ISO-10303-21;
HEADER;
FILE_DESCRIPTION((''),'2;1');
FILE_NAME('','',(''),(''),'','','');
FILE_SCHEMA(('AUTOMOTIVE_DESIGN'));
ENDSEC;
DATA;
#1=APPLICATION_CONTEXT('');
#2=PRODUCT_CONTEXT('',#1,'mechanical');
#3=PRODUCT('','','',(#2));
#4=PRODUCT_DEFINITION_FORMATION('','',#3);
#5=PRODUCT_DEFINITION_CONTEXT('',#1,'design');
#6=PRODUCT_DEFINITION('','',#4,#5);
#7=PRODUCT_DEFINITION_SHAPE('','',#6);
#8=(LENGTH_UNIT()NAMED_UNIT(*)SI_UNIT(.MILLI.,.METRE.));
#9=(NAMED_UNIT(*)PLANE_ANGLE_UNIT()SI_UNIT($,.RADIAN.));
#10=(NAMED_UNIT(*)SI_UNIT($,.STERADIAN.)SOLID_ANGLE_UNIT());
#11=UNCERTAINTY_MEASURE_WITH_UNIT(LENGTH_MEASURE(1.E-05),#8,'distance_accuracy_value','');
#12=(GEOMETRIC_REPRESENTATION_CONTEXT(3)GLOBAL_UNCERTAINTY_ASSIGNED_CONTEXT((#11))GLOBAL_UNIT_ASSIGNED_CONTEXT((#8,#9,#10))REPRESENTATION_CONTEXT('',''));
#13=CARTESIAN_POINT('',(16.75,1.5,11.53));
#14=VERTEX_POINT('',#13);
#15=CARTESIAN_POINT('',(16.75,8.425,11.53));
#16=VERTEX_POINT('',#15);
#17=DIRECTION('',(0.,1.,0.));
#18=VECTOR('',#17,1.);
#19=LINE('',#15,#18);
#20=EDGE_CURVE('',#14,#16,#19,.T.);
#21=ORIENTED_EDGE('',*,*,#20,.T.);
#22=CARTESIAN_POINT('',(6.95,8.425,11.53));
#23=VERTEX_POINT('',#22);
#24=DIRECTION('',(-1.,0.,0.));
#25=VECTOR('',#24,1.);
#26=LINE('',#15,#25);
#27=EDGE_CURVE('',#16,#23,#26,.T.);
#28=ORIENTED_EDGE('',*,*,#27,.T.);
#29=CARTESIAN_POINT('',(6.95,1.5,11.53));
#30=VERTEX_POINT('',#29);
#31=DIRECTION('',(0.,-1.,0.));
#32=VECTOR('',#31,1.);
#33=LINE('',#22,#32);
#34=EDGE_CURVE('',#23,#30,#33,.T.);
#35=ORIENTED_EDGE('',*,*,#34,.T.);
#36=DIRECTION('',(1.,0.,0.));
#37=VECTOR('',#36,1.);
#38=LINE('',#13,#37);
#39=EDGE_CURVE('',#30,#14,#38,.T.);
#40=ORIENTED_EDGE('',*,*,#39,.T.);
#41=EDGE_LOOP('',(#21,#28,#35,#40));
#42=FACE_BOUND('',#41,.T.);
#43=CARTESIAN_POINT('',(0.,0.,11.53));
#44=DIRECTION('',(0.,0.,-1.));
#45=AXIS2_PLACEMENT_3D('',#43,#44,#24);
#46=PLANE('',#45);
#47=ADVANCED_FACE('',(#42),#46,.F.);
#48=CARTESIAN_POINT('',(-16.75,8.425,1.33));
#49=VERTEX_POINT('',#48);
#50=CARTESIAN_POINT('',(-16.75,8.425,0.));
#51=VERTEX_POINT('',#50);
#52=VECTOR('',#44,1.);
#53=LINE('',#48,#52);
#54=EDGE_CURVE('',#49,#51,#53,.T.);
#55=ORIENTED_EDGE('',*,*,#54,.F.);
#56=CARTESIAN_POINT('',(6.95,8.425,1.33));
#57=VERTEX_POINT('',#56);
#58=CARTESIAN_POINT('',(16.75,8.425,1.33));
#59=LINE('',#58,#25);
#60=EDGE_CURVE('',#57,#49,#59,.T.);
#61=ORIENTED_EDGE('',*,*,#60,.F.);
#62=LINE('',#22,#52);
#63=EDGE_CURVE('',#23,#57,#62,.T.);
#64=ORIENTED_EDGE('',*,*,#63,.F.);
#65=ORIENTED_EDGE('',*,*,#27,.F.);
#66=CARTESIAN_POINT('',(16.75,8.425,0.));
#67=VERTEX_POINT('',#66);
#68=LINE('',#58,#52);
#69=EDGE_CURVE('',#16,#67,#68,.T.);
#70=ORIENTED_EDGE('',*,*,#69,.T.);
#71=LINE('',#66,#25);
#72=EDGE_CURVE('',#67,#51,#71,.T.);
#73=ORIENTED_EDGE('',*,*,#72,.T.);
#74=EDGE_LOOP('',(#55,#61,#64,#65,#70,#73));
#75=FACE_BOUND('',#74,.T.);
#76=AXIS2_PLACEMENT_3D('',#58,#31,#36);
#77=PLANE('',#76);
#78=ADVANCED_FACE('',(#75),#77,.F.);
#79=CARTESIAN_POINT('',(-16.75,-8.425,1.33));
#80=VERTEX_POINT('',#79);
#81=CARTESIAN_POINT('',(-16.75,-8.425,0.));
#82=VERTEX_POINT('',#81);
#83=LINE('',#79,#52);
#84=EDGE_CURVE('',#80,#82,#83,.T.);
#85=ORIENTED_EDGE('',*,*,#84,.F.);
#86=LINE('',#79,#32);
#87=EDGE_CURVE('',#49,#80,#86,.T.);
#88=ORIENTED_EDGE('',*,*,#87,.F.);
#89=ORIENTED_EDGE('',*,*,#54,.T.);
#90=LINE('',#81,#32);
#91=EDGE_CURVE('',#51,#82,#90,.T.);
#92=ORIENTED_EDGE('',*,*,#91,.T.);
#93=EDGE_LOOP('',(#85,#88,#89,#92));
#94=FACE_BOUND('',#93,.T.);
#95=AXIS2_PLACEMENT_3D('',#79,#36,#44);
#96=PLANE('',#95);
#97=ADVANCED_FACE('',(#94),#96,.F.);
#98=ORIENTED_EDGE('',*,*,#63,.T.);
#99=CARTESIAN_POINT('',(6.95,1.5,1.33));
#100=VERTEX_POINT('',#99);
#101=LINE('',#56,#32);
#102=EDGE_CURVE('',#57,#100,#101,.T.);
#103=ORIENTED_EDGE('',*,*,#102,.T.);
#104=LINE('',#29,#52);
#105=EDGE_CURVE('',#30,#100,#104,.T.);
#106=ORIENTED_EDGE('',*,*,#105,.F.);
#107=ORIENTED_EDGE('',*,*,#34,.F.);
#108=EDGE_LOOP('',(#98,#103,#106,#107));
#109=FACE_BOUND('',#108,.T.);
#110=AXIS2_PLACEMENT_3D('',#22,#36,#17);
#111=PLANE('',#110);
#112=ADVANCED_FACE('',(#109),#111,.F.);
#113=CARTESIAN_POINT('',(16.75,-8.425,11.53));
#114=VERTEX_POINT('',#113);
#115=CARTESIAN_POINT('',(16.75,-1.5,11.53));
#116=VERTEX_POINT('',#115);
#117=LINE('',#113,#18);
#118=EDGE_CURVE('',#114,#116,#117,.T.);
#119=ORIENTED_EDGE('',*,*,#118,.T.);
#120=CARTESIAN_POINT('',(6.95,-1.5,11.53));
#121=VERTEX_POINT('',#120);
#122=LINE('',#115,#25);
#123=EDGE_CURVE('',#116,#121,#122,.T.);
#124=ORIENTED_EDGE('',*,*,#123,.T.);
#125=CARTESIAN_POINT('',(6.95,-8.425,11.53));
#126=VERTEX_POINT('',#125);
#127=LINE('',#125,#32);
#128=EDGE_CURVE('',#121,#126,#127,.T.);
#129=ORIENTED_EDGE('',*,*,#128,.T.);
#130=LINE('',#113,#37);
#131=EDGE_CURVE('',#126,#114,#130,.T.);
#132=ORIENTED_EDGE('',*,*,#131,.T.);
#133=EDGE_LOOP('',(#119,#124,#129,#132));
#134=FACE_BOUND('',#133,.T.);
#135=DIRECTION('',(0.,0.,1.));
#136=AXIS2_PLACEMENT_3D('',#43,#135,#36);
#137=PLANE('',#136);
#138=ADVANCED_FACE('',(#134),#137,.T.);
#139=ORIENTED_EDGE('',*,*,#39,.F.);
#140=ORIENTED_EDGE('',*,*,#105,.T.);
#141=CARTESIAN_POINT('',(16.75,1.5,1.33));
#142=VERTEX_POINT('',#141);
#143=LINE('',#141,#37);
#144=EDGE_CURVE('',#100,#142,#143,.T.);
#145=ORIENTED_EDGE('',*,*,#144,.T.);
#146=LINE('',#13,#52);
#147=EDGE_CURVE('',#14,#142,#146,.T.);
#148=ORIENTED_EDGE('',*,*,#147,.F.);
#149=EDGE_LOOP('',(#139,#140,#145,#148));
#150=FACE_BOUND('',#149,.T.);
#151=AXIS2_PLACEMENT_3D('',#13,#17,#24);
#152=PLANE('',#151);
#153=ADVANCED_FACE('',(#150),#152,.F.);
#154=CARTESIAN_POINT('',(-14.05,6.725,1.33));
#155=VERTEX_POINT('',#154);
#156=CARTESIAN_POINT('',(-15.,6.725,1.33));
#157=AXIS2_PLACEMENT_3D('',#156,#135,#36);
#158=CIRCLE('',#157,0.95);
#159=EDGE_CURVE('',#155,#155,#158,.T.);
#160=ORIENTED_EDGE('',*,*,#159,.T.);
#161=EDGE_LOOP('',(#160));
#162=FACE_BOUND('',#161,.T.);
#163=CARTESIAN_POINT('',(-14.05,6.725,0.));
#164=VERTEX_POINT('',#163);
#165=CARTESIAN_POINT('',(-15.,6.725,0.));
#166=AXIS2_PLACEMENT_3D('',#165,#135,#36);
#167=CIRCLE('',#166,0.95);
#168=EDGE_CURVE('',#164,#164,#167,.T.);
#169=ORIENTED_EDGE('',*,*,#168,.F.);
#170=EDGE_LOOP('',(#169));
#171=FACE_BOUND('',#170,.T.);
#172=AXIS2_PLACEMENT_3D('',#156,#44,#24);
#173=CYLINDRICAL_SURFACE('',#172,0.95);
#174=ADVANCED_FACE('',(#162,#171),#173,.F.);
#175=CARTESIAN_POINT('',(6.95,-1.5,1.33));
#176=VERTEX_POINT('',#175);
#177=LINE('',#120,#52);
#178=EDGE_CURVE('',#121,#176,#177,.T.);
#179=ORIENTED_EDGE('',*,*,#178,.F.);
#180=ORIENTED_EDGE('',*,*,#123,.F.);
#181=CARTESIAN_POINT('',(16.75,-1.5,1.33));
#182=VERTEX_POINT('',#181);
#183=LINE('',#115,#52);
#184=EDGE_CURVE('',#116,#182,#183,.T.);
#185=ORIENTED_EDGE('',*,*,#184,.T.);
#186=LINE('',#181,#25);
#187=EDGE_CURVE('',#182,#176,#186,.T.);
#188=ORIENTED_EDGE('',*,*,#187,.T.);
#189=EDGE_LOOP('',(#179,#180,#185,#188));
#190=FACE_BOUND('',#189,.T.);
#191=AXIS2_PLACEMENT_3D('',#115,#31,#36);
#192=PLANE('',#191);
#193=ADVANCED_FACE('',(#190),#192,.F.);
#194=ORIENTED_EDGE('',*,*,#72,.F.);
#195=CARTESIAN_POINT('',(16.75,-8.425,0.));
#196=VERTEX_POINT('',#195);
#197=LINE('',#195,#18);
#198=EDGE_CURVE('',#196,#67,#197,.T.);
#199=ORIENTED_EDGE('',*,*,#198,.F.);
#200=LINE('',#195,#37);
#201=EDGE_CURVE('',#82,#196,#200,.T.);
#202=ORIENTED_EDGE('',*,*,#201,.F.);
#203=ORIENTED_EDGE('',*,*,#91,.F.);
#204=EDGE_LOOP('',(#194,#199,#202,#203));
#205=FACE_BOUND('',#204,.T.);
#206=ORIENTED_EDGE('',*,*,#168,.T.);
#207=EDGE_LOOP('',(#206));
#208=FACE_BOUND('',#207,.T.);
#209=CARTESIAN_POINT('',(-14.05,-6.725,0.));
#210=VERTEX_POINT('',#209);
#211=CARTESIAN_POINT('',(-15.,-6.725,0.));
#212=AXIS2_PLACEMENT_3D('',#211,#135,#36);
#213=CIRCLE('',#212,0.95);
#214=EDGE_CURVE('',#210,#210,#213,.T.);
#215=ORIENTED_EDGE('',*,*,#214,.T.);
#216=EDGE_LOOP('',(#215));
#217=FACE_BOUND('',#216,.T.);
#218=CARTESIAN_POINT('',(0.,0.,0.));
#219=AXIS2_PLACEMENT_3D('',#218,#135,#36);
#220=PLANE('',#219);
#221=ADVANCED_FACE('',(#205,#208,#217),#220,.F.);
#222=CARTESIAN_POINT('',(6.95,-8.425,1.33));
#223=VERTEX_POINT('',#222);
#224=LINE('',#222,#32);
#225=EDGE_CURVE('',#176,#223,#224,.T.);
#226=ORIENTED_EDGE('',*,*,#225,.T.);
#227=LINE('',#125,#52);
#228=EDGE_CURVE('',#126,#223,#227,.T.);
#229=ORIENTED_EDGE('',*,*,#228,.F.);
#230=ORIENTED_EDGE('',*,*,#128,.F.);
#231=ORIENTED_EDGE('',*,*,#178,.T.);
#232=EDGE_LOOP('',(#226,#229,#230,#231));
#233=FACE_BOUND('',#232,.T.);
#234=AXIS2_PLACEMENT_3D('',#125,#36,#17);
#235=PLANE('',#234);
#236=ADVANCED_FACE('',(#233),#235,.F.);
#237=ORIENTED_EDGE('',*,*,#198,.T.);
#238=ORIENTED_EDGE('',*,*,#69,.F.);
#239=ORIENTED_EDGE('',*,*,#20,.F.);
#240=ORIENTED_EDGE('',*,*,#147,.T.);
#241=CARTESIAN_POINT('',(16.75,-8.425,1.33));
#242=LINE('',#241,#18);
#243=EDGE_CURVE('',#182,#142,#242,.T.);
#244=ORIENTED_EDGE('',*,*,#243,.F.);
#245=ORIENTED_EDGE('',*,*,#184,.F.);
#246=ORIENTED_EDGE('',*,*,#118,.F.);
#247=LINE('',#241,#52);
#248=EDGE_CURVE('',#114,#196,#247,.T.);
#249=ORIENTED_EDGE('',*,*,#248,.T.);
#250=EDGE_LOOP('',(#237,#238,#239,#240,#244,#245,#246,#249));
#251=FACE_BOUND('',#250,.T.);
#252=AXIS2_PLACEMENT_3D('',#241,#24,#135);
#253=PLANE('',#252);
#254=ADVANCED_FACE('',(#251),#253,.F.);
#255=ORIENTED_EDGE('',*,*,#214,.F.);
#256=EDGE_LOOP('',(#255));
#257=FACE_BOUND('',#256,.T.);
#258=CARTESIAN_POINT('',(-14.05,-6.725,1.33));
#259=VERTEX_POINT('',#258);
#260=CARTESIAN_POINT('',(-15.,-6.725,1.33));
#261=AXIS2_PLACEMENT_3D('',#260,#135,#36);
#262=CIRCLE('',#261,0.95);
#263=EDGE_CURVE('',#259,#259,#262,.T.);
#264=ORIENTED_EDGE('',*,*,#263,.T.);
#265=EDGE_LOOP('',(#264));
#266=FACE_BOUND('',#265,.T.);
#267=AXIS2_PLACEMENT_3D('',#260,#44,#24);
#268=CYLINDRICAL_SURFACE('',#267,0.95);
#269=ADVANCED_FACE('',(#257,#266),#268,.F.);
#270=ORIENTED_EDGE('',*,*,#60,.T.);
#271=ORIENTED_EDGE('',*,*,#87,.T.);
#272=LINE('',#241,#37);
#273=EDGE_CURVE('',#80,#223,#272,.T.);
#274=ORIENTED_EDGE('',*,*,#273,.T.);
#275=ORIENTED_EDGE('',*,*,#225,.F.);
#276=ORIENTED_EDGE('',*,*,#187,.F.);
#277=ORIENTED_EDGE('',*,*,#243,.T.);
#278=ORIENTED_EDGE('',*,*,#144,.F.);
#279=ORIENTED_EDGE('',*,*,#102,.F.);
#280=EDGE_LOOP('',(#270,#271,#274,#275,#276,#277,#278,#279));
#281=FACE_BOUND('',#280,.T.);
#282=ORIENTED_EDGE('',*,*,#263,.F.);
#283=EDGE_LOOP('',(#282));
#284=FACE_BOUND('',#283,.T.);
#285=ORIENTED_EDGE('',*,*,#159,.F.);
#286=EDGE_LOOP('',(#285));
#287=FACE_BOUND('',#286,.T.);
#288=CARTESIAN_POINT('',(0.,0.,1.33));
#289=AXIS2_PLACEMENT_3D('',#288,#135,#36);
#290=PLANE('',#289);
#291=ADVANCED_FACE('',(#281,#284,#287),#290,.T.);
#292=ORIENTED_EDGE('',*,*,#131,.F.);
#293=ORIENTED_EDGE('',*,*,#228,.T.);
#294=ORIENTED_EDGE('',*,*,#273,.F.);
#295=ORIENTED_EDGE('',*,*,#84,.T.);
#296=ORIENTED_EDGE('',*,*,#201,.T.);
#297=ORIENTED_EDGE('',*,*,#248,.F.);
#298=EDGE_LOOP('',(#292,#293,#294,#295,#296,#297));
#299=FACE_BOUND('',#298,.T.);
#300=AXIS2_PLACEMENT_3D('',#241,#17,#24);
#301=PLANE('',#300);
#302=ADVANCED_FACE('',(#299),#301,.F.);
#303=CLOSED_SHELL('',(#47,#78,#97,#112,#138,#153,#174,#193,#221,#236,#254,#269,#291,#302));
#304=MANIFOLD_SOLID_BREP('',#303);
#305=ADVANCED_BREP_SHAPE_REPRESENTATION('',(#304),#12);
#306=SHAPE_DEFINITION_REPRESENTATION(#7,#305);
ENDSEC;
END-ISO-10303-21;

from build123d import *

# Parameters (mm, degrees)
SKETCH1_W           = 33.5
SKETCH1_H           = 16.85
SKETCH1_R           = 0.95
BOSS_EXTRUDE1_DEPTH = 1.33
SKETCH2_W           = 9.8
SKETCH2_H           = 6.925
BOSS_EXTRUDE2_DEPTH = 10.2


with BuildPart() as part:
    # Sketch1 → Boss-Extrude1 (new body)
    with BuildSketch(Plane.XY):
        Rectangle(SKETCH1_W, SKETCH1_H)
        with Locations((-15, -6.725)):
            Circle(SKETCH1_R, mode=Mode.SUBTRACT)
        with Locations((-15, 6.725)):
            Circle(SKETCH1_R, mode=Mode.SUBTRACT)
    extrude(amount=BOSS_EXTRUDE1_DEPTH)

    # Sketch2 → Boss-Extrude2 (add)
    with BuildSketch(Plane.XY.offset(1.33)):
        with Locations((11.85, 4.9625)):
            Rectangle(SKETCH2_W, SKETCH2_H)
        with Locations((11.85, -4.9625)):
            Rectangle(SKETCH2_W, SKETCH2_H)
    extrude(amount=BOSS_EXTRUDE2_DEPTH)


solid = part.part
